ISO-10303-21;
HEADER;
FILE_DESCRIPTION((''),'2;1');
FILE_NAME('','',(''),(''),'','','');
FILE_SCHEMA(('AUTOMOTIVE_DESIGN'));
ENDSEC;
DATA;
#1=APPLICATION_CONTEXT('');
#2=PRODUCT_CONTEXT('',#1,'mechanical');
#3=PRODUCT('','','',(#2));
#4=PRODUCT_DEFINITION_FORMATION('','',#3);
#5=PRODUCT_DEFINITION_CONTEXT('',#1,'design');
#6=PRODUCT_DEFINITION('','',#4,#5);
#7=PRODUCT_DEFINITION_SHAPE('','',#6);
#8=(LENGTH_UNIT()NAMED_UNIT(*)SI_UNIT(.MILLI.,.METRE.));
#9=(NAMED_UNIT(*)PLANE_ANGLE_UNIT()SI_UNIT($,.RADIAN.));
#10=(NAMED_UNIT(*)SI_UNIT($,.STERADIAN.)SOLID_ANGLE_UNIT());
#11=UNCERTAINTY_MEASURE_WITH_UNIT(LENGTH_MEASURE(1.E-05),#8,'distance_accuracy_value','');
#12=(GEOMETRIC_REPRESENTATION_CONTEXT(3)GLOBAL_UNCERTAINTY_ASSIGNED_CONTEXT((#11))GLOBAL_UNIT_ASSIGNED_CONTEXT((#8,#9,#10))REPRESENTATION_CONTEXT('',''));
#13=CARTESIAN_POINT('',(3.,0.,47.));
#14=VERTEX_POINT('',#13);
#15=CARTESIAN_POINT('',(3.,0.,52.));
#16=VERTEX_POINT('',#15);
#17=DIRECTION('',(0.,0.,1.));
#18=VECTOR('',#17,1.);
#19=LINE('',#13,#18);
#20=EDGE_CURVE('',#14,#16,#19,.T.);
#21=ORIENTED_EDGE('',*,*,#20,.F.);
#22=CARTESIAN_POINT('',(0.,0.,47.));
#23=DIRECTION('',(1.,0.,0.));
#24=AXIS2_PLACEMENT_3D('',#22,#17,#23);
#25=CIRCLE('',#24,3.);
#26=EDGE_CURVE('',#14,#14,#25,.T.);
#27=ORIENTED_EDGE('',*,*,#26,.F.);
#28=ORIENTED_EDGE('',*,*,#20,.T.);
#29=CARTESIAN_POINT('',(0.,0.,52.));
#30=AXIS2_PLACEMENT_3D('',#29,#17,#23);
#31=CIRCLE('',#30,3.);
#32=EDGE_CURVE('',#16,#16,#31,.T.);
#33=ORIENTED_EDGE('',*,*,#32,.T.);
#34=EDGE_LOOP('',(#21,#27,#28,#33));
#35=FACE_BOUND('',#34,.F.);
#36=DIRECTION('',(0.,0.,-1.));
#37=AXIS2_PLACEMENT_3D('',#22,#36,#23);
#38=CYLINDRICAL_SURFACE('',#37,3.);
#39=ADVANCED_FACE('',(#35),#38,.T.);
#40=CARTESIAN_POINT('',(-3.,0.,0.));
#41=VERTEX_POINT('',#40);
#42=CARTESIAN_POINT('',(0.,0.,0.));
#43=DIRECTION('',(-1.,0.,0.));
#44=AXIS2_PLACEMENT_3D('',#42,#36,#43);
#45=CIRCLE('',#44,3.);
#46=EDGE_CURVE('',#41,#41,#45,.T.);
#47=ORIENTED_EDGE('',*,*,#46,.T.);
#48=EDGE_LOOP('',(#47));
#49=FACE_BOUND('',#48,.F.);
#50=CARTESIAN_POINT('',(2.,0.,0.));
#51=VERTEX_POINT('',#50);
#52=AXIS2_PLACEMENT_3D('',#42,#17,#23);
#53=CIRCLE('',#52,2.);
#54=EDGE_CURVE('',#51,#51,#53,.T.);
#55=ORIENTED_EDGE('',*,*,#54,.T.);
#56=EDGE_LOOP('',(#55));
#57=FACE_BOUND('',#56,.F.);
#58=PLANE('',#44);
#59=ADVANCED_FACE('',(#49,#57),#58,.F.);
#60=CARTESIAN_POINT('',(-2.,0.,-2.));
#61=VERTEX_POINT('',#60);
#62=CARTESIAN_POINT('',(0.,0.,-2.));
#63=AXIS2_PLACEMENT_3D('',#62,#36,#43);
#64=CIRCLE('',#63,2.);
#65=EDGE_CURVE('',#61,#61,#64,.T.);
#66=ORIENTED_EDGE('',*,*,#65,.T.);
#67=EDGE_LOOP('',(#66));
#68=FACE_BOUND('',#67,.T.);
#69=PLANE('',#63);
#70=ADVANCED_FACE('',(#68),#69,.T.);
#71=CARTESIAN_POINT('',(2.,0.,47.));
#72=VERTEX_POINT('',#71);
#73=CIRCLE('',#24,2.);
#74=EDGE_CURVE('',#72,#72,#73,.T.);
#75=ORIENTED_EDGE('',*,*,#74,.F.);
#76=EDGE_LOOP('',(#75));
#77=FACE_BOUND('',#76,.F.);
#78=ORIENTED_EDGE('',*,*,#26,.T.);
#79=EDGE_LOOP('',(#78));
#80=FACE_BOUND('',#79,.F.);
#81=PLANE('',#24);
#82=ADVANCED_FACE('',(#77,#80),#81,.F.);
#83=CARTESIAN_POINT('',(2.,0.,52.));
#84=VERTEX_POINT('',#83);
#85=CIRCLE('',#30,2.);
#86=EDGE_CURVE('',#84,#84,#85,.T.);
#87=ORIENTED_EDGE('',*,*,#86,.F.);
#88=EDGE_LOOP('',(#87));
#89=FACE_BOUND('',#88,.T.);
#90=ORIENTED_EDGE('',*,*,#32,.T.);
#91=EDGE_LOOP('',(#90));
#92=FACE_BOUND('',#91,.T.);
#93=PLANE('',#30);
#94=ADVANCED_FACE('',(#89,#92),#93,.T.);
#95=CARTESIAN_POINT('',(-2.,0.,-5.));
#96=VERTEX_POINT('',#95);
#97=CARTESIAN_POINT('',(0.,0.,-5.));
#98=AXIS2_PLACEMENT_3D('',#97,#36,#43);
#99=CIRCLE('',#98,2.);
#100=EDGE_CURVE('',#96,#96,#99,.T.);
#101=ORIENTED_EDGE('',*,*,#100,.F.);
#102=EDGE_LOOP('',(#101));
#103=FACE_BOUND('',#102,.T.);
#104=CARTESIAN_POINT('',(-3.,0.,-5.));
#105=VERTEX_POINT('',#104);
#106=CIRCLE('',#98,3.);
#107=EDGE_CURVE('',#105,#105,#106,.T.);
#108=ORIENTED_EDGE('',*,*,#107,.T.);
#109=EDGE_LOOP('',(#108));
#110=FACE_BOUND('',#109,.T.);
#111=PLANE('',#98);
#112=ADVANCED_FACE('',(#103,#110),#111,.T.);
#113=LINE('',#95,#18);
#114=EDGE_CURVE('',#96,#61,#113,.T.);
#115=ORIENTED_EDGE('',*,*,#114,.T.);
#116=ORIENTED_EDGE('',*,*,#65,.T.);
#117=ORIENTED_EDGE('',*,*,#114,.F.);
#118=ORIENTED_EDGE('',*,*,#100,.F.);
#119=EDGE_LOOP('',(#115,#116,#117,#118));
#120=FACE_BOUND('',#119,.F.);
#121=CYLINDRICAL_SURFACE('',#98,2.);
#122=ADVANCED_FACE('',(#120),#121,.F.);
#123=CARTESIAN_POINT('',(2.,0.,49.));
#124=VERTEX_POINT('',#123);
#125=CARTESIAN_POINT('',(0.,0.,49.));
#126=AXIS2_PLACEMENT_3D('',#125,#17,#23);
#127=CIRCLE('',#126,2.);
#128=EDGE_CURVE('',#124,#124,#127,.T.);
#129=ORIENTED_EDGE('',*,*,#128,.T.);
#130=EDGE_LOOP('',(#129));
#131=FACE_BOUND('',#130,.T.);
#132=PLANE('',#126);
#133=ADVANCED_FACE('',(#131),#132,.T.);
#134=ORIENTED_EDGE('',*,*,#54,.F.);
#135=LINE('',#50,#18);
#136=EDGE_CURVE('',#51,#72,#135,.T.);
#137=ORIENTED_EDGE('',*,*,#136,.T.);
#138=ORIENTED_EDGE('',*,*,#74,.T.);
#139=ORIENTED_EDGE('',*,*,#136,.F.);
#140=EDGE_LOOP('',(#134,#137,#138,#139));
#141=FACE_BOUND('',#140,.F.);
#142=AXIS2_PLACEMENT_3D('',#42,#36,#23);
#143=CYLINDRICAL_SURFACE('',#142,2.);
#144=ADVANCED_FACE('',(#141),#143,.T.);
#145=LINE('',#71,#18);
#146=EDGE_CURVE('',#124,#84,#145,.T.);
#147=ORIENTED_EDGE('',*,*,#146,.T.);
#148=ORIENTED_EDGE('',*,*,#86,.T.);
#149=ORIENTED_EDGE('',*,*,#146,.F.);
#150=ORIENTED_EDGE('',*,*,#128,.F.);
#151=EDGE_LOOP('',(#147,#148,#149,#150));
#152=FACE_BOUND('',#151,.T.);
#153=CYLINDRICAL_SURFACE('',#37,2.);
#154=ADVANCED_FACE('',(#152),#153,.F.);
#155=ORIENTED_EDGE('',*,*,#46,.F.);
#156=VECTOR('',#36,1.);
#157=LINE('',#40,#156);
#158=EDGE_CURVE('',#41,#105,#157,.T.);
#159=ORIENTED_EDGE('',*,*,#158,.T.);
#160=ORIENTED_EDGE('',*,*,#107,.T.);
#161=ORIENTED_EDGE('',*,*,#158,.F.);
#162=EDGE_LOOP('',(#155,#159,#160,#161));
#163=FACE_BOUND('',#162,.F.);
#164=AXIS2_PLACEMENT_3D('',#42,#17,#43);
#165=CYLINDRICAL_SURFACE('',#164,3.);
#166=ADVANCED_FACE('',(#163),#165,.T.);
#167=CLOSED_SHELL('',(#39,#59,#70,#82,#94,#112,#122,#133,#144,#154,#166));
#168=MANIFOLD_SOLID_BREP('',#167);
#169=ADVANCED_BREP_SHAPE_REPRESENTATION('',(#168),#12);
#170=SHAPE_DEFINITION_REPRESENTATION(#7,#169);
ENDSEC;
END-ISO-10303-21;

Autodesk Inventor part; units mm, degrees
ref_plane "YZ Plane" through (0, 0, 0) normal (1, 0, 0) x (0, 1, 0)
ref_plane "XZ Plane" through (0, 0, 0) normal (0, 1, 0) x (-1, 0, 0)
ref_plane "XY Plane" through (0, 0, 0) normal (0, 0, 1) x (1, 0, 0)
sketch "Sketch1" plane through (0, 0, 0) normal (0, 0, 1) x (1, 0, 0)
  circle A0 centre (0, 0) radius 2
  dimension "d0" = 4
extrude "Extrusion1" add sketch "Sketch1" along normal blind 47
sketch "Sketch2" plane through (0, 0, 47) normal (0, 0, 1) x (1, 0, 0)
  circle A0 centre (0, 0) radius 2 projected
  circle A1 centre (0, 0) radius 3
  dimension "d3" = 6
extrude "Extrusion2" add sketch "Sketch2" along normal blind 5
extrude "Extrusion3" add sketch "Sketch2" along normal blind 2 contours A0
sketch "Sketch3" plane through (0, 0, 0) normal (0, 0, -1) x (-1, 0, 0)
  circle A0 centre (0, 0) radius 3
extrude "Extrusion4" add sketch "Sketch3" along normal blind 5
sketch "Sketch4" plane through (0, 0, -5) normal (0, 0, -1) x (-1, 0, 0)
  circle A0 centre (0, 0) radius 2
  dimension "d10" = 4
extrude "Extrusion5" cut sketch "Sketch4" against normal blind 3
properties part number "Fake Bolt" material "Steel"
